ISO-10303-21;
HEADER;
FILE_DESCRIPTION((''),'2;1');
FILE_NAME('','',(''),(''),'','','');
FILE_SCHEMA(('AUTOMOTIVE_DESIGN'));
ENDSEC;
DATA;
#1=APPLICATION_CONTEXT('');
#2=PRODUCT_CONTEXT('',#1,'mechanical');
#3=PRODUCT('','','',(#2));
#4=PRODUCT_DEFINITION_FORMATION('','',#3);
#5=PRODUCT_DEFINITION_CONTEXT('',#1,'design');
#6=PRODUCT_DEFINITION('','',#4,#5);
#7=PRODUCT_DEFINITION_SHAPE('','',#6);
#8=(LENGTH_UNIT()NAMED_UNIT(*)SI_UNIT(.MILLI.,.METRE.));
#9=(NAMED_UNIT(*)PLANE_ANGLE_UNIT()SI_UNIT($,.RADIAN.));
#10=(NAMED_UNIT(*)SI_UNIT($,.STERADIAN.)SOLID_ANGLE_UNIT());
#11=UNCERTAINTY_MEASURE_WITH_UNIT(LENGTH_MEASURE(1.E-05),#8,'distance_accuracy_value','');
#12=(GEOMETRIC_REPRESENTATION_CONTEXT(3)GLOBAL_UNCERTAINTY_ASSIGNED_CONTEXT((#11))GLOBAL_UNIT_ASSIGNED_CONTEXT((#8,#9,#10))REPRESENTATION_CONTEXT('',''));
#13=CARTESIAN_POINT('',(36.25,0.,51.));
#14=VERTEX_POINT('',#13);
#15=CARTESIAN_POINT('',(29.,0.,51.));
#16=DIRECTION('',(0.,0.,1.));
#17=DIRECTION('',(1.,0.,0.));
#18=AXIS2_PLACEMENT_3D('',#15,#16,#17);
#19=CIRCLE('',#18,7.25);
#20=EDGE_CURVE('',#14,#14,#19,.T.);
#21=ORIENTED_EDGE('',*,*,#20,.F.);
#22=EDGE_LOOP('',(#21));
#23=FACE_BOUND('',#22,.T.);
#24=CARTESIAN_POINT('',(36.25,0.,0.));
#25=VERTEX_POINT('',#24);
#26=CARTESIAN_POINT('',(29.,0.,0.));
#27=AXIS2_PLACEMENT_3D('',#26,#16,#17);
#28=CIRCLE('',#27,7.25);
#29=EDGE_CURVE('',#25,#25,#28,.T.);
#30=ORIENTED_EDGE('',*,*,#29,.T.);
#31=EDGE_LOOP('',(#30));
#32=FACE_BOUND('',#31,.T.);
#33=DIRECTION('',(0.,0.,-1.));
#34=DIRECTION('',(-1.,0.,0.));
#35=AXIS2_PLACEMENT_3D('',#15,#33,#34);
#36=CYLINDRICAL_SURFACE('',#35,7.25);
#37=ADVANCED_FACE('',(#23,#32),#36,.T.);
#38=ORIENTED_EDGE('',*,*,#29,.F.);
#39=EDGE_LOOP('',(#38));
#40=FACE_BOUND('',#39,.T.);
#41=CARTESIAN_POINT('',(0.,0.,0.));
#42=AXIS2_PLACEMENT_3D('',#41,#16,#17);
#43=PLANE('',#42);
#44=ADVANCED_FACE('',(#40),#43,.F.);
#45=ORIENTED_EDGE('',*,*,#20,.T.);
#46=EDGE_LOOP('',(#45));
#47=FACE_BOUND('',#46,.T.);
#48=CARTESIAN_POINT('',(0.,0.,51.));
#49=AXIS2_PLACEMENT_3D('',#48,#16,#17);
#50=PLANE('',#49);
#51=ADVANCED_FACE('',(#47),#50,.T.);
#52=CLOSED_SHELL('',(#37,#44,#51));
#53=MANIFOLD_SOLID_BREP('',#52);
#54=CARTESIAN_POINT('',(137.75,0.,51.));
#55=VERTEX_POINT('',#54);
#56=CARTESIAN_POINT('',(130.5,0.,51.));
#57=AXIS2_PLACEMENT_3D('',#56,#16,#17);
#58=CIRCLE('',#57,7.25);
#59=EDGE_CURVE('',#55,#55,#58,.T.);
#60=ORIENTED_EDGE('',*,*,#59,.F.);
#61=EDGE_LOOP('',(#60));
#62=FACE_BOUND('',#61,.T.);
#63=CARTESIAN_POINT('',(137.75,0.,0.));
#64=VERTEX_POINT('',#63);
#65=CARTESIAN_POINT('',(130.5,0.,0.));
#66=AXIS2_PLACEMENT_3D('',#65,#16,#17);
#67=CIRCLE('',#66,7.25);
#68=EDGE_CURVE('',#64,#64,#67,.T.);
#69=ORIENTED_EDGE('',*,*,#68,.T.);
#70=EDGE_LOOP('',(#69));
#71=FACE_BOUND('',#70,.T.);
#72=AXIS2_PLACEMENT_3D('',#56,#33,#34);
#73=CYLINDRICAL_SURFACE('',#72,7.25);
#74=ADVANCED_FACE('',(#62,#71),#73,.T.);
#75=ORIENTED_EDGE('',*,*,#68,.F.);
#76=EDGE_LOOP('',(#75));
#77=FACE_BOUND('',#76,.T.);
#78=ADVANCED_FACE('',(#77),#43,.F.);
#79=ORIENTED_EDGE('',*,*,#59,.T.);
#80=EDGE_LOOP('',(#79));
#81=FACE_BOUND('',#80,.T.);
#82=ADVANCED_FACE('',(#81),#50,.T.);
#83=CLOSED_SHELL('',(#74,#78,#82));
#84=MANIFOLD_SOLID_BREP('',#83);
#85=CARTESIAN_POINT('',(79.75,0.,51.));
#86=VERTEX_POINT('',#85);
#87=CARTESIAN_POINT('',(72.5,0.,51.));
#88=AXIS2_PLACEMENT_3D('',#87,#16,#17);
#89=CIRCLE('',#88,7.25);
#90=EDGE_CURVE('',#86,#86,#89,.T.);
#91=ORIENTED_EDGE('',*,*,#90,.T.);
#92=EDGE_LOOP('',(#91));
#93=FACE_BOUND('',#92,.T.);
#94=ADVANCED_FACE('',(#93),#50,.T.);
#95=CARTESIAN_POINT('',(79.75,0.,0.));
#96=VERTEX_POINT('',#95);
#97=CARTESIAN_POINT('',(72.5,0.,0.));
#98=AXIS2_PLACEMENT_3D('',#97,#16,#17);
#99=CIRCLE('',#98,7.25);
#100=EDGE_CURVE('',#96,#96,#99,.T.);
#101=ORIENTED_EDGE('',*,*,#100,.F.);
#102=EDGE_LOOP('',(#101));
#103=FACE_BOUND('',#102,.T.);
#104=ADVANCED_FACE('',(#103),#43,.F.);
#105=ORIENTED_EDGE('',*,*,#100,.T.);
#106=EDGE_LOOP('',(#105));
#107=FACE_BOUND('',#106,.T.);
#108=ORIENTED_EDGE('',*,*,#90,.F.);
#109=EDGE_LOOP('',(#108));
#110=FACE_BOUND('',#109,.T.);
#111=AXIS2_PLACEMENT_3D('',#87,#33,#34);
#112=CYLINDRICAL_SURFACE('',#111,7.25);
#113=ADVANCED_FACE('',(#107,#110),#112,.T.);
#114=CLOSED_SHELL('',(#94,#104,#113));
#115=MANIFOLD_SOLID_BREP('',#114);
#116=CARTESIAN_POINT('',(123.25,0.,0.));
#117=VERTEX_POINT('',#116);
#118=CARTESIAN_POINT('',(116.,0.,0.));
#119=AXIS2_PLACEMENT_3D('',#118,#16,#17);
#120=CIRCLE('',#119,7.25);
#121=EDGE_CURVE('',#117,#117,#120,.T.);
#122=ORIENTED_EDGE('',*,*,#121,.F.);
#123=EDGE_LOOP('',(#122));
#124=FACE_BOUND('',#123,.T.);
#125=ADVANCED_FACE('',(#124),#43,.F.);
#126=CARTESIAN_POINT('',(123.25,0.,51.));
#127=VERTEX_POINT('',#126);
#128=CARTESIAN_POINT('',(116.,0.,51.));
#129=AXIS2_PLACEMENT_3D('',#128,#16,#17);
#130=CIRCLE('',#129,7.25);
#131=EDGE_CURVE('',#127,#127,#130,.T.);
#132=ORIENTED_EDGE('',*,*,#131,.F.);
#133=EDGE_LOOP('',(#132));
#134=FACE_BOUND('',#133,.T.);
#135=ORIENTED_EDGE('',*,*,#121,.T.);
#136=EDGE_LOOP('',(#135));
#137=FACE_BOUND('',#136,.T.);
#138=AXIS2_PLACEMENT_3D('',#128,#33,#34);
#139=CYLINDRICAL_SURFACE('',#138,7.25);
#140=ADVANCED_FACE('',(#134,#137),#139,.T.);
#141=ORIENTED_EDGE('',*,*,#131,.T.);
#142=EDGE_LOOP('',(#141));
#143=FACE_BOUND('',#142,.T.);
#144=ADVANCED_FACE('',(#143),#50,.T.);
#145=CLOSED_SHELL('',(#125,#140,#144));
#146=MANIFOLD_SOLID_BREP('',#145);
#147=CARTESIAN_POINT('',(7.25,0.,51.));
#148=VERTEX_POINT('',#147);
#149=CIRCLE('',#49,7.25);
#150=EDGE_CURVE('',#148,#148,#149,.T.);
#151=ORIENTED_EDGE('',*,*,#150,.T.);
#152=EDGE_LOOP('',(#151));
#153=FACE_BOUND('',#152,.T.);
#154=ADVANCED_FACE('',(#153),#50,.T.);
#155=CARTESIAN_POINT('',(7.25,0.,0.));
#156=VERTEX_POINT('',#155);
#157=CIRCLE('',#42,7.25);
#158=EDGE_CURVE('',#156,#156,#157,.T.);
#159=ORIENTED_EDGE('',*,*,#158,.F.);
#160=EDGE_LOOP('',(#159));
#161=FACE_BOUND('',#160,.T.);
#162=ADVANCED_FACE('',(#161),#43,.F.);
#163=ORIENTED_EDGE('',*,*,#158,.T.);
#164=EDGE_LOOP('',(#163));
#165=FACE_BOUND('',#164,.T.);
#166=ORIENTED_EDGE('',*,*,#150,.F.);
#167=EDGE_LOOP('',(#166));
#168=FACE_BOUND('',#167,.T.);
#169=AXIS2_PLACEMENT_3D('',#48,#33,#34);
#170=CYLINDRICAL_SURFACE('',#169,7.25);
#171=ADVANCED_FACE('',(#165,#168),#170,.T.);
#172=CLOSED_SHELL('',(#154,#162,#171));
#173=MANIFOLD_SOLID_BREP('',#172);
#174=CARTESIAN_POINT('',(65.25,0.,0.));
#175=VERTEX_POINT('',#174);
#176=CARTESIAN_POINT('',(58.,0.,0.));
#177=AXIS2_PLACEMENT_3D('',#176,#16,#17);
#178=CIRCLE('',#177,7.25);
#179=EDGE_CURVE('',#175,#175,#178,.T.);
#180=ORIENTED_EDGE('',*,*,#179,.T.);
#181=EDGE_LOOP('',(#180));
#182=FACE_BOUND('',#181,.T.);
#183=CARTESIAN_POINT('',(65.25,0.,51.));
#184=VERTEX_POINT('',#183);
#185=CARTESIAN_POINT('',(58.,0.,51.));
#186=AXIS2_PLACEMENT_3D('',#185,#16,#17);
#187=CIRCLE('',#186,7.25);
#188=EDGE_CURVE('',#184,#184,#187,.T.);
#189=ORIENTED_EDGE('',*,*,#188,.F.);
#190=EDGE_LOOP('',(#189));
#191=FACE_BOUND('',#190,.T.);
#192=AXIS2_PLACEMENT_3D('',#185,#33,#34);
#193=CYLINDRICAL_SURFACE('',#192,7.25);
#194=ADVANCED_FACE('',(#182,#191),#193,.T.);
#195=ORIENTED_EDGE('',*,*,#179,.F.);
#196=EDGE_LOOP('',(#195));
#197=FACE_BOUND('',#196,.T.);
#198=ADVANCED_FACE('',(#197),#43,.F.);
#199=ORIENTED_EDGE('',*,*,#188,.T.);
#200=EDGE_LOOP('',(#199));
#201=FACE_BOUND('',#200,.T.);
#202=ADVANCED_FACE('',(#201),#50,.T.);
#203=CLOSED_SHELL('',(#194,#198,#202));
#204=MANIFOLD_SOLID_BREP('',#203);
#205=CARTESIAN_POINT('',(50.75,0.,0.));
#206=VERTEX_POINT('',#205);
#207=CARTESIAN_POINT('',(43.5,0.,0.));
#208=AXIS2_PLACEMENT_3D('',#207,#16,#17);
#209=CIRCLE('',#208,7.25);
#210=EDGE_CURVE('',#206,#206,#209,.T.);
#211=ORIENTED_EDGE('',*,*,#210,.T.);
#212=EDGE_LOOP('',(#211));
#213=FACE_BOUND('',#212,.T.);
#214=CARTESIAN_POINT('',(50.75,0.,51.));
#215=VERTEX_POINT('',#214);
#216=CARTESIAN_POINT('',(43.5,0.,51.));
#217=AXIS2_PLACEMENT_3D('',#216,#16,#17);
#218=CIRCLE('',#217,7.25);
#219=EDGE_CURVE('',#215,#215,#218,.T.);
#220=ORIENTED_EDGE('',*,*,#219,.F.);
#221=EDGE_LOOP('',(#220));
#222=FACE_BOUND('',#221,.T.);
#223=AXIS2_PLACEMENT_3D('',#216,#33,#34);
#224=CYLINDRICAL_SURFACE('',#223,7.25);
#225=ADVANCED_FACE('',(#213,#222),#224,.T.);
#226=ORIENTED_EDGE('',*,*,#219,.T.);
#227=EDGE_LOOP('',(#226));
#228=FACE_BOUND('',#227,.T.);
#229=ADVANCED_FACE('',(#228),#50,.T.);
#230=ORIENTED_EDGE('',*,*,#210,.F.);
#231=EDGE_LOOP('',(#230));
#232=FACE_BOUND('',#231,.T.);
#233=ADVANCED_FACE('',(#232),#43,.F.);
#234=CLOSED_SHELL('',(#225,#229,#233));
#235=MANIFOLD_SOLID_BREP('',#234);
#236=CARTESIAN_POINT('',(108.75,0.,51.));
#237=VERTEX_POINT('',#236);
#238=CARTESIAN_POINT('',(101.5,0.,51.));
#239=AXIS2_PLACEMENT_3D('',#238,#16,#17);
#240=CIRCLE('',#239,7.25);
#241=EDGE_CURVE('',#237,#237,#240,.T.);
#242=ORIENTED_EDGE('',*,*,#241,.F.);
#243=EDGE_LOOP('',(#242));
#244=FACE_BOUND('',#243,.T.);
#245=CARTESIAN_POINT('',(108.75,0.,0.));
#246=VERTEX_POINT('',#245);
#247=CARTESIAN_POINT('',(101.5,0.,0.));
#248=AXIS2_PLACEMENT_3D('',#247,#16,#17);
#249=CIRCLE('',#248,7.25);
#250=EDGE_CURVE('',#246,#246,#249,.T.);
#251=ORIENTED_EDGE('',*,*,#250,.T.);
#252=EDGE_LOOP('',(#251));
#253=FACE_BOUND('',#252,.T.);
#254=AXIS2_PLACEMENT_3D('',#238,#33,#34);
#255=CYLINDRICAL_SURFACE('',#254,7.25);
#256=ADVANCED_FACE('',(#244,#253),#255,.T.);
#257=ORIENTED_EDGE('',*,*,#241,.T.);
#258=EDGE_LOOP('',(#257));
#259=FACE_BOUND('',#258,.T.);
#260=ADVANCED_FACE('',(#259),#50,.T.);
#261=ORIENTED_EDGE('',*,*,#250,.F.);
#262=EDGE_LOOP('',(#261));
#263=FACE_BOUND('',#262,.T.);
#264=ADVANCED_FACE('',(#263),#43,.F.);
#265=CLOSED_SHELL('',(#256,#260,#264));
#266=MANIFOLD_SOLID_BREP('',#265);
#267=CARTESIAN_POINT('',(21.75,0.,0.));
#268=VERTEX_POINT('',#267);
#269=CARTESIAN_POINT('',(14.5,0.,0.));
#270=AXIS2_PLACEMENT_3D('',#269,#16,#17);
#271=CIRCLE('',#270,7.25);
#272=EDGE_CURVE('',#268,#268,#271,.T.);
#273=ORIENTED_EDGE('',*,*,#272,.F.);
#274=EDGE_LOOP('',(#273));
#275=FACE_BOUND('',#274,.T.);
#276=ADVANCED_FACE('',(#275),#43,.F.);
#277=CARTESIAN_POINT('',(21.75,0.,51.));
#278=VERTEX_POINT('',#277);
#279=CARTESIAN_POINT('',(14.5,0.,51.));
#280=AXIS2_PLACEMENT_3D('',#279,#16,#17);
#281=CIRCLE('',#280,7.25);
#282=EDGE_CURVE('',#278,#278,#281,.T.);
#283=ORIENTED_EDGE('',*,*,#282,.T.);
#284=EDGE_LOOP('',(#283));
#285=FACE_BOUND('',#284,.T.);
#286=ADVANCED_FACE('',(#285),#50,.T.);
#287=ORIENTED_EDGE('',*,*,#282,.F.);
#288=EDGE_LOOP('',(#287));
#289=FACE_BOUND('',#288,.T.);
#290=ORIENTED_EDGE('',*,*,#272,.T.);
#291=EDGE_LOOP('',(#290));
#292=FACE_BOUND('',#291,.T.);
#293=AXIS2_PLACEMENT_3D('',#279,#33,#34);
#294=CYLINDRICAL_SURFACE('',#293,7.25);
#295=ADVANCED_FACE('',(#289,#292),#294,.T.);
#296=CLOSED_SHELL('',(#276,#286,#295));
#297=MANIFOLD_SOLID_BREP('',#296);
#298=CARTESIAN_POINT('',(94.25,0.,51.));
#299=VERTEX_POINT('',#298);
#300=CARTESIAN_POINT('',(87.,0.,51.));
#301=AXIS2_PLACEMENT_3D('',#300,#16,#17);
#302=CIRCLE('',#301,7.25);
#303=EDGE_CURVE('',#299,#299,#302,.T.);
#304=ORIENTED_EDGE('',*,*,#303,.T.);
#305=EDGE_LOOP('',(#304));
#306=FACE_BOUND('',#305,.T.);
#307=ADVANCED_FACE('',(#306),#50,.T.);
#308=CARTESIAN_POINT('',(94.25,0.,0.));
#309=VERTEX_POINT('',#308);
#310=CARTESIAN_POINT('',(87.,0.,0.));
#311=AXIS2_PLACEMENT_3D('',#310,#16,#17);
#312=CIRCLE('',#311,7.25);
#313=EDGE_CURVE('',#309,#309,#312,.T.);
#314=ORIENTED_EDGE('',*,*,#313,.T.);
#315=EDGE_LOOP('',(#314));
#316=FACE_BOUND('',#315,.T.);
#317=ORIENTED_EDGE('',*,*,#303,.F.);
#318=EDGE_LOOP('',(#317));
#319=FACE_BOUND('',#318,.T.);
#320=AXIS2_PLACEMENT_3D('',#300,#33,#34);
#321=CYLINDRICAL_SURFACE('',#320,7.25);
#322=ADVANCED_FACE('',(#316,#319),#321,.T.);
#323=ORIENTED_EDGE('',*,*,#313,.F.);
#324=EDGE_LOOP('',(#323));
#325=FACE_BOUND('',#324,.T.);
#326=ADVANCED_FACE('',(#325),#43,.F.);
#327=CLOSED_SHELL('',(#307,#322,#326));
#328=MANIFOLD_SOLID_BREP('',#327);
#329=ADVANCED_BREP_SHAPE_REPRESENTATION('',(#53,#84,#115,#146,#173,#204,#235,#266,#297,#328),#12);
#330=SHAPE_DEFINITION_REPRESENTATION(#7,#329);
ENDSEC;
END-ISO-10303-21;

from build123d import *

# Parameters (mm, degrees)
ESQUISSE1_R           = 7.25
BOSS_EXTRU_1_DEPTH    = 51
BOSS_EXTRU_1_2_DEPTH  = 51
BOSS_EXTRU_1_3_DEPTH  = 51
BOSS_EXTRU_1_4_DEPTH  = 51
BOSS_EXTRU_1_5_DEPTH  = 51
BOSS_EXTRU_1_6_DEPTH  = 51
BOSS_EXTRU_1_7_DEPTH  = 51
BOSS_EXTRU_1_8_DEPTH  = 51
BOSS_EXTRU_1_9_DEPTH  = 51
BOSS_EXTRU_1_10_DEPTH = 51


with BuildPart() as part:
    # Esquisse1 → Boss.-Extru.1 (new body)
    with BuildSketch(Plane.XY):
        with Locations((14.5, 0)):
            Circle(ESQUISSE1_R)
    extrude(amount=BOSS_EXTRU_1_DEPTH)


with BuildPart() as body_2:
    # Esquisse1 → Boss.-Extru.1 2 (new body)
    with BuildSketch(Plane.XY):
        with Locations((29, 0)):
            Circle(ESQUISSE1_R)
    extrude(amount=BOSS_EXTRU_1_2_DEPTH)


with BuildPart() as body_3:
    # Esquisse1 → Boss.-Extru.1 3 (new body)
    with BuildSketch(Plane.XY):
        with Locations((43.5, 0)):
            Circle(ESQUISSE1_R)
    extrude(amount=BOSS_EXTRU_1_3_DEPTH)


with BuildPart() as body_4:
    # Esquisse1 → Boss.-Extru.1 4 (new body)
    with BuildSketch(Plane.XY):
        Circle(ESQUISSE1_R)
    extrude(amount=BOSS_EXTRU_1_4_DEPTH)


with BuildPart() as body_5:
    # Esquisse1 → Boss.-Extru.1 5 (new body)
    with BuildSketch(Plane.XY):
        with Locations((58, 0)):
            Circle(ESQUISSE1_R)
    extrude(amount=BOSS_EXTRU_1_5_DEPTH)


with BuildPart() as body_6:
    # Esquisse1 → Boss.-Extru.1 6 (new body)
    with BuildSketch(Plane.XY):
        with Locations((72.5, 0)):
            Circle(ESQUISSE1_R)
    extrude(amount=BOSS_EXTRU_1_6_DEPTH)


with BuildPart() as body_7:
    # Esquisse1 → Boss.-Extru.1 7 (new body)
    with BuildSketch(Plane.XY):
        with Locations((87, 0)):
            Circle(ESQUISSE1_R)
    extrude(amount=BOSS_EXTRU_1_7_DEPTH)


with BuildPart() as body_8:
    # Esquisse1 → Boss.-Extru.1 8 (new body)
    with BuildSketch(Plane.XY):
        with Locations((101.5, 0)):
            Circle(ESQUISSE1_R)
    extrude(amount=BOSS_EXTRU_1_8_DEPTH)


with BuildPart() as body_9:
    # Esquisse1 → Boss.-Extru.1 9 (new body)
    with BuildSketch(Plane.XY):
        with Locations((116, 0)):
            Circle(ESQUISSE1_R)
    extrude(amount=BOSS_EXTRU_1_9_DEPTH)


with BuildPart() as body_10:
    # Esquisse1 → Boss.-Extru.1 10 (new body)
    with BuildSketch(Plane.XY):
        with Locations((130.5, 0)):
            Circle(ESQUISSE1_R)
    extrude(amount=BOSS_EXTRU_1_10_DEPTH)


solid = Compound([part.part, body_2.part, body_3.part, body_4.part, body_5.part, body_6.part, body_7.part, body_8.part, body_9.part, body_10.part])
